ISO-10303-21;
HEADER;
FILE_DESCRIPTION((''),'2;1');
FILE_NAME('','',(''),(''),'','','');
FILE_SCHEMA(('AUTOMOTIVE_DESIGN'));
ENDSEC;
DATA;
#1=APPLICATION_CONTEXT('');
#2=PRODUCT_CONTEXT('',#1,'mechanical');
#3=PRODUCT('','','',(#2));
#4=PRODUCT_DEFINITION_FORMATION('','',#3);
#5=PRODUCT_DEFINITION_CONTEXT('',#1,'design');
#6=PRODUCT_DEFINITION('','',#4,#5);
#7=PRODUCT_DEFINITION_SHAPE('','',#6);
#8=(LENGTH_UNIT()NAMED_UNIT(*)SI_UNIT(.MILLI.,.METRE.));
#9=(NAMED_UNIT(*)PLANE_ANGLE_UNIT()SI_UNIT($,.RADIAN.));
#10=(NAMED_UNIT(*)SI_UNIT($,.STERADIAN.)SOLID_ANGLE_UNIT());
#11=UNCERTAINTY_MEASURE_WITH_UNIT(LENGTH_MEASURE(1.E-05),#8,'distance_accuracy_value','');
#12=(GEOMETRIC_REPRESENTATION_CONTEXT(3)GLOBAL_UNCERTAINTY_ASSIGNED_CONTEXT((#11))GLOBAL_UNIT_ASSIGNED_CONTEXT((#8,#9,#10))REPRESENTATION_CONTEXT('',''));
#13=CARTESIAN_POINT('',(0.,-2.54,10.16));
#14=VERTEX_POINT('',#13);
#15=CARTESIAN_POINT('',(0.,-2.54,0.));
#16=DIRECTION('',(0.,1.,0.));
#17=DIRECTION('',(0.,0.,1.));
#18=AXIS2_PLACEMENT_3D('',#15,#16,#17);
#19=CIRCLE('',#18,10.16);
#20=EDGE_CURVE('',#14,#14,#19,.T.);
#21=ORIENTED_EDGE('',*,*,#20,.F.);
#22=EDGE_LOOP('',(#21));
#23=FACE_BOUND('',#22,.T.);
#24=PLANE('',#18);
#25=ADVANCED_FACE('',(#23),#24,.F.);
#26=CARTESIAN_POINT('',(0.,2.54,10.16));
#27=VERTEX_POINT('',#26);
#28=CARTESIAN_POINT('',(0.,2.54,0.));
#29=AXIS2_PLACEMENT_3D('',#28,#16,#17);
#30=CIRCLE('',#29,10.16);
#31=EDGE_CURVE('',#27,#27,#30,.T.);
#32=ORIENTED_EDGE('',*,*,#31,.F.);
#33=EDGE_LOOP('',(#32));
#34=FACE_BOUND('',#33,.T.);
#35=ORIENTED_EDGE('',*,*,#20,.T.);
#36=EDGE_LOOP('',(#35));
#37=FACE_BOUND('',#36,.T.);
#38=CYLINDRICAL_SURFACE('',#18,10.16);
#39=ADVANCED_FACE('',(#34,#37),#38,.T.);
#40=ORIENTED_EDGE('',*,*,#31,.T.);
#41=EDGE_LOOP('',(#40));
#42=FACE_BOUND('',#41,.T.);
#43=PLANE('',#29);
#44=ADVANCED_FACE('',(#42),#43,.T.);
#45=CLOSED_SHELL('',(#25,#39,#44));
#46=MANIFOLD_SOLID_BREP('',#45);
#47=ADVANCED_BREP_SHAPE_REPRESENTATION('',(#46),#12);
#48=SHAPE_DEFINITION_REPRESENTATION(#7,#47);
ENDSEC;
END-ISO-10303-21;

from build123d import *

# Parameters (mm, degrees)
BOSS_EXTRUDE1_DEPTH      = 2.54
BOSS_EXTRUDE1_DEPTH_BACK = 2.54
SKETCH4_R                = 10.16


with BuildPart() as part:
    # Sketch4 → Boss-Extrude1 (new, two sides: drawn at the far end of the back side and taken through both)
    with BuildSketch(Plane(origin=(0, 0, 0), x_dir=(1, 0, 0), z_dir=(0, 1, 0)).offset(-BOSS_EXTRUDE1_DEPTH_BACK)):
        Circle(SKETCH4_R)
    extrude(amount=BOSS_EXTRUDE1_DEPTH + BOSS_EXTRUDE1_DEPTH_BACK)


solid = part.part
